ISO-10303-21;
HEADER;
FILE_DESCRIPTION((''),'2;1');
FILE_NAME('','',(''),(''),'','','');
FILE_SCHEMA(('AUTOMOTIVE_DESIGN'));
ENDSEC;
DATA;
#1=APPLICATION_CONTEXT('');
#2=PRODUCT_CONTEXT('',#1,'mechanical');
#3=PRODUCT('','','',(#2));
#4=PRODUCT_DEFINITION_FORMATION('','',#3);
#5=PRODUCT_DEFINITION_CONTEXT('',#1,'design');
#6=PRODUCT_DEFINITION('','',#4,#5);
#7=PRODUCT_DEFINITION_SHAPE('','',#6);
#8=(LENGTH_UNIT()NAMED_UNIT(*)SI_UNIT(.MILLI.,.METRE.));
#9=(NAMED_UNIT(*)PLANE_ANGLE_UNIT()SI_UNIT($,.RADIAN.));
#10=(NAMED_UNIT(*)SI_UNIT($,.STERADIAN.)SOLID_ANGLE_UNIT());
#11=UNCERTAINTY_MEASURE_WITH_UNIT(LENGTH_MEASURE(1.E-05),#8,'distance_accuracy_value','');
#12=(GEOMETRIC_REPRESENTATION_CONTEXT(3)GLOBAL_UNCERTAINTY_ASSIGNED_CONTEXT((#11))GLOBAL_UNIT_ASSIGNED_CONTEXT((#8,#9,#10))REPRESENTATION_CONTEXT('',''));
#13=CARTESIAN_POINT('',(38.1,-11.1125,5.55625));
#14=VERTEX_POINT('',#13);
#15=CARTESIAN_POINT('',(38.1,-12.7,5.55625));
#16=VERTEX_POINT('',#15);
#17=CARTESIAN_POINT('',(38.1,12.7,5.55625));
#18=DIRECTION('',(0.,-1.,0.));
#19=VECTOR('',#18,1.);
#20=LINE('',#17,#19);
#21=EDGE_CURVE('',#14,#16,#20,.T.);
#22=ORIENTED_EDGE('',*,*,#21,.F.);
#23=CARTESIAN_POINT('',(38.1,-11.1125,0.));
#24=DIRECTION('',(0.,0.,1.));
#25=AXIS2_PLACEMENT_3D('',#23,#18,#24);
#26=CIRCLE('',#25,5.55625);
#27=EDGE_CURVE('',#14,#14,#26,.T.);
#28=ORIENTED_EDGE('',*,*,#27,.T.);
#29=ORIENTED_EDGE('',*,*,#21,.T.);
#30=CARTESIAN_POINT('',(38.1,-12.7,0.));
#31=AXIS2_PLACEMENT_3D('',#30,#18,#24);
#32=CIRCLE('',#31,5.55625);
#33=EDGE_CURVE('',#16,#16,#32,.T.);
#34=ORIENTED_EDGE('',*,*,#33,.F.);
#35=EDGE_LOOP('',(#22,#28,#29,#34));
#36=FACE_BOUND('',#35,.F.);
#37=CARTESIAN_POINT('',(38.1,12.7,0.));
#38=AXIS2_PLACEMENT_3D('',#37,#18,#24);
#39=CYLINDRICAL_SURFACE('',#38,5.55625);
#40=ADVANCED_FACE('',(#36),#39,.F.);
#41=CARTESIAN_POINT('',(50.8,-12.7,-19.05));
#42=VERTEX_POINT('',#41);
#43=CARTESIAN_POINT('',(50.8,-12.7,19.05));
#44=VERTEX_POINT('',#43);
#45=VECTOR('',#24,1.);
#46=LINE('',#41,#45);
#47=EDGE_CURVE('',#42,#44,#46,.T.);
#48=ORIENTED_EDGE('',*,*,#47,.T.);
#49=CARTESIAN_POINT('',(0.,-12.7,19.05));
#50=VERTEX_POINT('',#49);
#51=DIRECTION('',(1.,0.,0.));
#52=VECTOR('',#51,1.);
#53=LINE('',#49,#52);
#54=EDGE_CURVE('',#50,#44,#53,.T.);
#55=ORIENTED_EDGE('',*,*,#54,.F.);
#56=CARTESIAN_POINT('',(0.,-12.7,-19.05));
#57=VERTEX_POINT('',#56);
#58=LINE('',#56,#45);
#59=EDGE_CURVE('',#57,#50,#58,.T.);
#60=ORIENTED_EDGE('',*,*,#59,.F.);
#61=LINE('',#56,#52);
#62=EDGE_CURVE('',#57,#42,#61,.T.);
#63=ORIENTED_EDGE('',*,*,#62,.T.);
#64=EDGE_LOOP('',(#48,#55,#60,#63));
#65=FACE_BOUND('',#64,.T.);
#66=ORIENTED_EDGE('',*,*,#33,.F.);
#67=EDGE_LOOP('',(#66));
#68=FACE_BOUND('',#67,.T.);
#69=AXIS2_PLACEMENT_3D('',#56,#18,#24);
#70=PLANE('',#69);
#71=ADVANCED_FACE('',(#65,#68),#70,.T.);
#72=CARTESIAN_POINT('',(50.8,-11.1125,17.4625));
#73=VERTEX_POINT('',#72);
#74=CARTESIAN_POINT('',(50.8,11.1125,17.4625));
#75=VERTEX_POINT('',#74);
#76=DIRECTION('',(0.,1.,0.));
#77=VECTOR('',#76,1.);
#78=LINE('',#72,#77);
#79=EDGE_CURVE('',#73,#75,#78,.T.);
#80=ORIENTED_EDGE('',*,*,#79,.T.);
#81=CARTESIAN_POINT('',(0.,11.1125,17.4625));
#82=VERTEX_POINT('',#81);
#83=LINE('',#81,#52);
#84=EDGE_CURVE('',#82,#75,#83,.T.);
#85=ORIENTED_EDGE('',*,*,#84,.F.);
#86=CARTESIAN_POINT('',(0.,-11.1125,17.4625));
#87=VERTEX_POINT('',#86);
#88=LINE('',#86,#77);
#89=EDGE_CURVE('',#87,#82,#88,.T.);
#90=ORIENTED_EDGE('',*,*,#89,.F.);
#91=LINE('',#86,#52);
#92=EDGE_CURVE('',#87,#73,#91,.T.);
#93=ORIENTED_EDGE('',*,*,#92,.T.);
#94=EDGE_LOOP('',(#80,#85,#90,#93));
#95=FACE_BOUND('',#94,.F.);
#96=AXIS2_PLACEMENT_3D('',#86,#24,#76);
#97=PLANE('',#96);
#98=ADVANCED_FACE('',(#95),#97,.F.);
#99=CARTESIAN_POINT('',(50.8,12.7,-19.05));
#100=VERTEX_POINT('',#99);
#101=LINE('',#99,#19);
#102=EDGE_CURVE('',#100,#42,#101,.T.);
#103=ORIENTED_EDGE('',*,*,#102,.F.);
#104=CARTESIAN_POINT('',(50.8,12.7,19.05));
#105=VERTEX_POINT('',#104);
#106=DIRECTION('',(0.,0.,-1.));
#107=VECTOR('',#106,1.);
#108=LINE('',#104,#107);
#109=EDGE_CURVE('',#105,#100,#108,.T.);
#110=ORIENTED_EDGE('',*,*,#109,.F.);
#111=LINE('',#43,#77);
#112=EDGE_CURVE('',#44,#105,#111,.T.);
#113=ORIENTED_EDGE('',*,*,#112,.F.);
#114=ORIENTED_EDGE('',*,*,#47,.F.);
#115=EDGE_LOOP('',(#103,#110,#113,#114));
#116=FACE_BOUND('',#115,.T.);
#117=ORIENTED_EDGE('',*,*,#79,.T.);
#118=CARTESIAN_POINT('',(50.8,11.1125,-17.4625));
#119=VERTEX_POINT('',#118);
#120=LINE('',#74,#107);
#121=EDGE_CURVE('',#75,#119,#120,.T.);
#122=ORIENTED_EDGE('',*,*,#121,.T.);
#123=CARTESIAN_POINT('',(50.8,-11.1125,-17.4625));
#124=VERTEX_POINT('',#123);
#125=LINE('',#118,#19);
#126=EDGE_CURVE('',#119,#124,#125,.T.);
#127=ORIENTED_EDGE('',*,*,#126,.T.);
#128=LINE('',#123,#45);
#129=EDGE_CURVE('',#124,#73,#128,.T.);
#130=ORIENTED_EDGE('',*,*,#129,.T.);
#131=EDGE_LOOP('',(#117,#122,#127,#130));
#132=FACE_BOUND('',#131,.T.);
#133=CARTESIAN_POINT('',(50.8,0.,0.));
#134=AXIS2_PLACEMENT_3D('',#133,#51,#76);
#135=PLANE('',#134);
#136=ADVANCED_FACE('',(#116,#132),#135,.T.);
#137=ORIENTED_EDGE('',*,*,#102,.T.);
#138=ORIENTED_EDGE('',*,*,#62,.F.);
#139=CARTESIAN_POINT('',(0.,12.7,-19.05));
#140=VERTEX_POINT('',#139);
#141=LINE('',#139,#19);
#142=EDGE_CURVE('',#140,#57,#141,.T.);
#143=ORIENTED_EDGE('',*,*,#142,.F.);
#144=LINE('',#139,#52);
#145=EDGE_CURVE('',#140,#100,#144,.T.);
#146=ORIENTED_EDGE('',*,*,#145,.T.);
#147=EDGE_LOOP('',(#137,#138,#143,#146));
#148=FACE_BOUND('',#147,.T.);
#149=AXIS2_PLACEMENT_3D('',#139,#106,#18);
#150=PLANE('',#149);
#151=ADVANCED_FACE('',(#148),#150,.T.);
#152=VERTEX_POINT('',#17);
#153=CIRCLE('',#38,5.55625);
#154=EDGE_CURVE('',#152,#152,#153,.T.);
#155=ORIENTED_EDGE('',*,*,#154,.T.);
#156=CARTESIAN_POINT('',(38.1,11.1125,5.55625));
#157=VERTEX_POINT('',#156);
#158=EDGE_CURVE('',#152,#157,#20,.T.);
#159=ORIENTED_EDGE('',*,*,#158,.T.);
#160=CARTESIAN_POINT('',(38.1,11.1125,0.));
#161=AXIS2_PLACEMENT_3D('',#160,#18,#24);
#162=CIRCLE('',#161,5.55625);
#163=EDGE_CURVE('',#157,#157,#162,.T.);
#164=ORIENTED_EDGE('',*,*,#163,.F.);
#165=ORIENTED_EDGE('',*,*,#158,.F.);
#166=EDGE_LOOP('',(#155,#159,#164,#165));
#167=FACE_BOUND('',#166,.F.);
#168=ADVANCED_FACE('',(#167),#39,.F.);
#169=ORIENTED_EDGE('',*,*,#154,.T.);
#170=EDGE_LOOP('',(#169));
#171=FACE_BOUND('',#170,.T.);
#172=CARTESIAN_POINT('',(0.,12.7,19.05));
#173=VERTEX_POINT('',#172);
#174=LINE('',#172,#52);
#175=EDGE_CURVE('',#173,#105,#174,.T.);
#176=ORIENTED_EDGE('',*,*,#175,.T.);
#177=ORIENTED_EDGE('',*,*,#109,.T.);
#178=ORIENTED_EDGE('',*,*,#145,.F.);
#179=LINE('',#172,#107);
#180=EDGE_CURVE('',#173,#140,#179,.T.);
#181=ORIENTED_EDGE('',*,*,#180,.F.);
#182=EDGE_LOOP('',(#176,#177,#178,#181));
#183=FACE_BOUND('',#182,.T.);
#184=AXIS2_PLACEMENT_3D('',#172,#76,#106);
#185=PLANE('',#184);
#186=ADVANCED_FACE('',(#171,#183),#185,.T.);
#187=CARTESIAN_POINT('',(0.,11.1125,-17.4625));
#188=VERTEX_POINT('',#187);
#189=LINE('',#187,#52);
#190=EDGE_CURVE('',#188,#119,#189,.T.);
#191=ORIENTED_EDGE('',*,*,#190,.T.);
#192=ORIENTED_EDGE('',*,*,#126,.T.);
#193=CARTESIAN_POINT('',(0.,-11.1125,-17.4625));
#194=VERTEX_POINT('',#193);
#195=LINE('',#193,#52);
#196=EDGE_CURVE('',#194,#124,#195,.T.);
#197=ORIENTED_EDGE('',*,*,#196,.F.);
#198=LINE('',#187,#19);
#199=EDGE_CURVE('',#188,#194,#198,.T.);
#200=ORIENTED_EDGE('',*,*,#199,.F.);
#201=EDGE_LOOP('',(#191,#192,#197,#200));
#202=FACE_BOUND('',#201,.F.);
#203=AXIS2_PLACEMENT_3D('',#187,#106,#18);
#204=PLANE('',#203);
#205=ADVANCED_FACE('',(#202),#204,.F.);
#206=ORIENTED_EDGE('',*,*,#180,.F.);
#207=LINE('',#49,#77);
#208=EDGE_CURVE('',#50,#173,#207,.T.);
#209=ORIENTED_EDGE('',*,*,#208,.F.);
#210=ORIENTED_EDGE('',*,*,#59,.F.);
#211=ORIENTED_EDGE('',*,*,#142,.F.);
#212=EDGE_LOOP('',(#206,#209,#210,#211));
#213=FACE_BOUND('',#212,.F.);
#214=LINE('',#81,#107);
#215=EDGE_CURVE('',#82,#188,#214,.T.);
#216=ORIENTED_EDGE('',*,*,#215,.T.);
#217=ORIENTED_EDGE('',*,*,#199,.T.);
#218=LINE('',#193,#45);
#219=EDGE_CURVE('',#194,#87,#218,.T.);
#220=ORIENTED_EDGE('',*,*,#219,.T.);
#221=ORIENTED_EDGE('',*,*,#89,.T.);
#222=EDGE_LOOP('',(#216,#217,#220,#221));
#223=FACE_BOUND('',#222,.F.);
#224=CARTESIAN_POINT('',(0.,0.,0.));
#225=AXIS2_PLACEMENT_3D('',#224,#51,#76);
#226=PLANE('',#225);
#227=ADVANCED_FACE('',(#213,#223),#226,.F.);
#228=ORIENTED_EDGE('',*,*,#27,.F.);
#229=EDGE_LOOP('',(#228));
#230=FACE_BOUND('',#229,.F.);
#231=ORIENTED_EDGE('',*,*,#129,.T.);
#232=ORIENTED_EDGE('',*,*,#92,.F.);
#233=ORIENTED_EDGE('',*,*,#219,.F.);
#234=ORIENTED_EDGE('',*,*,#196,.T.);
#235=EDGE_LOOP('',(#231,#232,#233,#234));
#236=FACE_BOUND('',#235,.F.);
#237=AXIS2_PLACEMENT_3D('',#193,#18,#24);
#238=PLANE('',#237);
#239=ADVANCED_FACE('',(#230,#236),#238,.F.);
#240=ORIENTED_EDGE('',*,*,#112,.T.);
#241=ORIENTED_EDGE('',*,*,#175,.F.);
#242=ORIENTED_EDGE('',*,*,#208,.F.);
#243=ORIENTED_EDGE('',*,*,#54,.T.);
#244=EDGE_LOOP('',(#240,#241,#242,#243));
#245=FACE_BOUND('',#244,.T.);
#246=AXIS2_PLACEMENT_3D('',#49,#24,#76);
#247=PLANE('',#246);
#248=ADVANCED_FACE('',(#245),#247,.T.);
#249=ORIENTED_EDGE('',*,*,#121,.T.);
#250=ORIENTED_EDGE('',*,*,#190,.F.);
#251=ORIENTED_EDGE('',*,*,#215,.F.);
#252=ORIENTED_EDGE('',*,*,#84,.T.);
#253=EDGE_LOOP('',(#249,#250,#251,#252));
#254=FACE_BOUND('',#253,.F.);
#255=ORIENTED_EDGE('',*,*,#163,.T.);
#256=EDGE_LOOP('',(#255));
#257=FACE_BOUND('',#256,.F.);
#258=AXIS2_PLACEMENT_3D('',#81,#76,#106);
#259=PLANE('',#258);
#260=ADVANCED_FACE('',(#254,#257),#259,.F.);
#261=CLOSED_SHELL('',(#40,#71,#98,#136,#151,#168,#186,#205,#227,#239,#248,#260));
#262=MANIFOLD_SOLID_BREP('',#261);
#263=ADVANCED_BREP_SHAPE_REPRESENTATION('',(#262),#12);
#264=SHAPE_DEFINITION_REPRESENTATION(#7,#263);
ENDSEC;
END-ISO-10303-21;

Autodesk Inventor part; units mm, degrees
ref_plane "Work Plane3" through (0, 12.7, 0) normal (0, 1, 0) x (-1, 0, 0)
ref_plane "Start Plane" through (0, 0, 0) normal (1, 0, 0) x (0, 1, 0)
ref_plane "End Plane" through (50.8, 0, 0) normal (1, 0, 0) x (0, 1, 0)
sketch "Sketch" plane through (0, 0, 0) normal (1, 0, 0) x (0, 1, 0)
  line L0 (-12.7, 19.05) -> (12.7, 19.05)
  line L1 (12.7, 19.05) -> (12.7, -19.05)
  line L2 (12.7, -19.05) -> (-12.7, -19.05)
  line L3 (-12.7, -19.05) -> (-12.7, 19.05)
  line L4 (-12.7, 19.05) -> (12.7, -19.05) construction
  line L5 (12.7, 19.05) -> (-12.7, -19.05) construction
  line L6 (-11.1125, 17.4625) -> (11.1125, 17.4625)
  line L7 (11.1125, 17.4625) -> (11.1125, -17.4625)
  line L8 (11.1125, -17.4625) -> (-11.1125, -17.4625)
  line L9 (-11.1125, -17.4625) -> (-11.1125, 17.4625)
  line L10 (-11.1125, 17.4625) -> (11.1125, -17.4625) construction
  line L11 (11.1125, 17.4625) -> (-11.1125, -17.4625) construction
  point P0 (0, 0)
  dimension "d0" = 38.1
  dimension "d1" = 25.4
  dimension "d2" = 1.5875
  dimension "d3" = 1.5875
extrude "Body" add sketch "Sketch" along normal up to surface (50.8 mm away) from surface at 0
sketch "Sketch8" plane through (0, 0, 0) normal (1, 0, 0) x (0, 1, 0)
  line L0 (0, 0) -> (10, 0)
ref_plane "Work Plane6" through (0, 0, 0) normal (0, 0, -1) x (0, 1, 0)
sketch "Sketch9" plane through (0, 0, 0) normal (0, 0, -1) x (0, 1, 0)
  line L0 (-17.78, 0) -> (17.78, 0)
  line L1 (-17.78, 50.8) -> (17.78, 50.8)
  dimension "d21" = 50.8
sketch "Sketch5" plane through (0, 12.7, -19.05) normal (0, 1, 0) x (1, 0, 0)
  line L0 (0, -38.1) -> (0, 0) projected
  point P0 (0, -19.05)
  point P1 (38.1, -19.05)
  dimension "d22" = 38.1
hole "Hole2" at (38.1, 12.7, 0) direction (0, -1, 0) diameter 11.1125 end through all
equation "\"d3\" = d2"
equation "\"G_OFFSET_START\" = 0"
equation "\"G_OFFSET_END\" = 0"
equation "\"d17\" = d4 + G_OFFSET_END"
equation "\"G_L\" = d21"
equation "\"d4\" = 50.8"
properties part number "1605682847218"
